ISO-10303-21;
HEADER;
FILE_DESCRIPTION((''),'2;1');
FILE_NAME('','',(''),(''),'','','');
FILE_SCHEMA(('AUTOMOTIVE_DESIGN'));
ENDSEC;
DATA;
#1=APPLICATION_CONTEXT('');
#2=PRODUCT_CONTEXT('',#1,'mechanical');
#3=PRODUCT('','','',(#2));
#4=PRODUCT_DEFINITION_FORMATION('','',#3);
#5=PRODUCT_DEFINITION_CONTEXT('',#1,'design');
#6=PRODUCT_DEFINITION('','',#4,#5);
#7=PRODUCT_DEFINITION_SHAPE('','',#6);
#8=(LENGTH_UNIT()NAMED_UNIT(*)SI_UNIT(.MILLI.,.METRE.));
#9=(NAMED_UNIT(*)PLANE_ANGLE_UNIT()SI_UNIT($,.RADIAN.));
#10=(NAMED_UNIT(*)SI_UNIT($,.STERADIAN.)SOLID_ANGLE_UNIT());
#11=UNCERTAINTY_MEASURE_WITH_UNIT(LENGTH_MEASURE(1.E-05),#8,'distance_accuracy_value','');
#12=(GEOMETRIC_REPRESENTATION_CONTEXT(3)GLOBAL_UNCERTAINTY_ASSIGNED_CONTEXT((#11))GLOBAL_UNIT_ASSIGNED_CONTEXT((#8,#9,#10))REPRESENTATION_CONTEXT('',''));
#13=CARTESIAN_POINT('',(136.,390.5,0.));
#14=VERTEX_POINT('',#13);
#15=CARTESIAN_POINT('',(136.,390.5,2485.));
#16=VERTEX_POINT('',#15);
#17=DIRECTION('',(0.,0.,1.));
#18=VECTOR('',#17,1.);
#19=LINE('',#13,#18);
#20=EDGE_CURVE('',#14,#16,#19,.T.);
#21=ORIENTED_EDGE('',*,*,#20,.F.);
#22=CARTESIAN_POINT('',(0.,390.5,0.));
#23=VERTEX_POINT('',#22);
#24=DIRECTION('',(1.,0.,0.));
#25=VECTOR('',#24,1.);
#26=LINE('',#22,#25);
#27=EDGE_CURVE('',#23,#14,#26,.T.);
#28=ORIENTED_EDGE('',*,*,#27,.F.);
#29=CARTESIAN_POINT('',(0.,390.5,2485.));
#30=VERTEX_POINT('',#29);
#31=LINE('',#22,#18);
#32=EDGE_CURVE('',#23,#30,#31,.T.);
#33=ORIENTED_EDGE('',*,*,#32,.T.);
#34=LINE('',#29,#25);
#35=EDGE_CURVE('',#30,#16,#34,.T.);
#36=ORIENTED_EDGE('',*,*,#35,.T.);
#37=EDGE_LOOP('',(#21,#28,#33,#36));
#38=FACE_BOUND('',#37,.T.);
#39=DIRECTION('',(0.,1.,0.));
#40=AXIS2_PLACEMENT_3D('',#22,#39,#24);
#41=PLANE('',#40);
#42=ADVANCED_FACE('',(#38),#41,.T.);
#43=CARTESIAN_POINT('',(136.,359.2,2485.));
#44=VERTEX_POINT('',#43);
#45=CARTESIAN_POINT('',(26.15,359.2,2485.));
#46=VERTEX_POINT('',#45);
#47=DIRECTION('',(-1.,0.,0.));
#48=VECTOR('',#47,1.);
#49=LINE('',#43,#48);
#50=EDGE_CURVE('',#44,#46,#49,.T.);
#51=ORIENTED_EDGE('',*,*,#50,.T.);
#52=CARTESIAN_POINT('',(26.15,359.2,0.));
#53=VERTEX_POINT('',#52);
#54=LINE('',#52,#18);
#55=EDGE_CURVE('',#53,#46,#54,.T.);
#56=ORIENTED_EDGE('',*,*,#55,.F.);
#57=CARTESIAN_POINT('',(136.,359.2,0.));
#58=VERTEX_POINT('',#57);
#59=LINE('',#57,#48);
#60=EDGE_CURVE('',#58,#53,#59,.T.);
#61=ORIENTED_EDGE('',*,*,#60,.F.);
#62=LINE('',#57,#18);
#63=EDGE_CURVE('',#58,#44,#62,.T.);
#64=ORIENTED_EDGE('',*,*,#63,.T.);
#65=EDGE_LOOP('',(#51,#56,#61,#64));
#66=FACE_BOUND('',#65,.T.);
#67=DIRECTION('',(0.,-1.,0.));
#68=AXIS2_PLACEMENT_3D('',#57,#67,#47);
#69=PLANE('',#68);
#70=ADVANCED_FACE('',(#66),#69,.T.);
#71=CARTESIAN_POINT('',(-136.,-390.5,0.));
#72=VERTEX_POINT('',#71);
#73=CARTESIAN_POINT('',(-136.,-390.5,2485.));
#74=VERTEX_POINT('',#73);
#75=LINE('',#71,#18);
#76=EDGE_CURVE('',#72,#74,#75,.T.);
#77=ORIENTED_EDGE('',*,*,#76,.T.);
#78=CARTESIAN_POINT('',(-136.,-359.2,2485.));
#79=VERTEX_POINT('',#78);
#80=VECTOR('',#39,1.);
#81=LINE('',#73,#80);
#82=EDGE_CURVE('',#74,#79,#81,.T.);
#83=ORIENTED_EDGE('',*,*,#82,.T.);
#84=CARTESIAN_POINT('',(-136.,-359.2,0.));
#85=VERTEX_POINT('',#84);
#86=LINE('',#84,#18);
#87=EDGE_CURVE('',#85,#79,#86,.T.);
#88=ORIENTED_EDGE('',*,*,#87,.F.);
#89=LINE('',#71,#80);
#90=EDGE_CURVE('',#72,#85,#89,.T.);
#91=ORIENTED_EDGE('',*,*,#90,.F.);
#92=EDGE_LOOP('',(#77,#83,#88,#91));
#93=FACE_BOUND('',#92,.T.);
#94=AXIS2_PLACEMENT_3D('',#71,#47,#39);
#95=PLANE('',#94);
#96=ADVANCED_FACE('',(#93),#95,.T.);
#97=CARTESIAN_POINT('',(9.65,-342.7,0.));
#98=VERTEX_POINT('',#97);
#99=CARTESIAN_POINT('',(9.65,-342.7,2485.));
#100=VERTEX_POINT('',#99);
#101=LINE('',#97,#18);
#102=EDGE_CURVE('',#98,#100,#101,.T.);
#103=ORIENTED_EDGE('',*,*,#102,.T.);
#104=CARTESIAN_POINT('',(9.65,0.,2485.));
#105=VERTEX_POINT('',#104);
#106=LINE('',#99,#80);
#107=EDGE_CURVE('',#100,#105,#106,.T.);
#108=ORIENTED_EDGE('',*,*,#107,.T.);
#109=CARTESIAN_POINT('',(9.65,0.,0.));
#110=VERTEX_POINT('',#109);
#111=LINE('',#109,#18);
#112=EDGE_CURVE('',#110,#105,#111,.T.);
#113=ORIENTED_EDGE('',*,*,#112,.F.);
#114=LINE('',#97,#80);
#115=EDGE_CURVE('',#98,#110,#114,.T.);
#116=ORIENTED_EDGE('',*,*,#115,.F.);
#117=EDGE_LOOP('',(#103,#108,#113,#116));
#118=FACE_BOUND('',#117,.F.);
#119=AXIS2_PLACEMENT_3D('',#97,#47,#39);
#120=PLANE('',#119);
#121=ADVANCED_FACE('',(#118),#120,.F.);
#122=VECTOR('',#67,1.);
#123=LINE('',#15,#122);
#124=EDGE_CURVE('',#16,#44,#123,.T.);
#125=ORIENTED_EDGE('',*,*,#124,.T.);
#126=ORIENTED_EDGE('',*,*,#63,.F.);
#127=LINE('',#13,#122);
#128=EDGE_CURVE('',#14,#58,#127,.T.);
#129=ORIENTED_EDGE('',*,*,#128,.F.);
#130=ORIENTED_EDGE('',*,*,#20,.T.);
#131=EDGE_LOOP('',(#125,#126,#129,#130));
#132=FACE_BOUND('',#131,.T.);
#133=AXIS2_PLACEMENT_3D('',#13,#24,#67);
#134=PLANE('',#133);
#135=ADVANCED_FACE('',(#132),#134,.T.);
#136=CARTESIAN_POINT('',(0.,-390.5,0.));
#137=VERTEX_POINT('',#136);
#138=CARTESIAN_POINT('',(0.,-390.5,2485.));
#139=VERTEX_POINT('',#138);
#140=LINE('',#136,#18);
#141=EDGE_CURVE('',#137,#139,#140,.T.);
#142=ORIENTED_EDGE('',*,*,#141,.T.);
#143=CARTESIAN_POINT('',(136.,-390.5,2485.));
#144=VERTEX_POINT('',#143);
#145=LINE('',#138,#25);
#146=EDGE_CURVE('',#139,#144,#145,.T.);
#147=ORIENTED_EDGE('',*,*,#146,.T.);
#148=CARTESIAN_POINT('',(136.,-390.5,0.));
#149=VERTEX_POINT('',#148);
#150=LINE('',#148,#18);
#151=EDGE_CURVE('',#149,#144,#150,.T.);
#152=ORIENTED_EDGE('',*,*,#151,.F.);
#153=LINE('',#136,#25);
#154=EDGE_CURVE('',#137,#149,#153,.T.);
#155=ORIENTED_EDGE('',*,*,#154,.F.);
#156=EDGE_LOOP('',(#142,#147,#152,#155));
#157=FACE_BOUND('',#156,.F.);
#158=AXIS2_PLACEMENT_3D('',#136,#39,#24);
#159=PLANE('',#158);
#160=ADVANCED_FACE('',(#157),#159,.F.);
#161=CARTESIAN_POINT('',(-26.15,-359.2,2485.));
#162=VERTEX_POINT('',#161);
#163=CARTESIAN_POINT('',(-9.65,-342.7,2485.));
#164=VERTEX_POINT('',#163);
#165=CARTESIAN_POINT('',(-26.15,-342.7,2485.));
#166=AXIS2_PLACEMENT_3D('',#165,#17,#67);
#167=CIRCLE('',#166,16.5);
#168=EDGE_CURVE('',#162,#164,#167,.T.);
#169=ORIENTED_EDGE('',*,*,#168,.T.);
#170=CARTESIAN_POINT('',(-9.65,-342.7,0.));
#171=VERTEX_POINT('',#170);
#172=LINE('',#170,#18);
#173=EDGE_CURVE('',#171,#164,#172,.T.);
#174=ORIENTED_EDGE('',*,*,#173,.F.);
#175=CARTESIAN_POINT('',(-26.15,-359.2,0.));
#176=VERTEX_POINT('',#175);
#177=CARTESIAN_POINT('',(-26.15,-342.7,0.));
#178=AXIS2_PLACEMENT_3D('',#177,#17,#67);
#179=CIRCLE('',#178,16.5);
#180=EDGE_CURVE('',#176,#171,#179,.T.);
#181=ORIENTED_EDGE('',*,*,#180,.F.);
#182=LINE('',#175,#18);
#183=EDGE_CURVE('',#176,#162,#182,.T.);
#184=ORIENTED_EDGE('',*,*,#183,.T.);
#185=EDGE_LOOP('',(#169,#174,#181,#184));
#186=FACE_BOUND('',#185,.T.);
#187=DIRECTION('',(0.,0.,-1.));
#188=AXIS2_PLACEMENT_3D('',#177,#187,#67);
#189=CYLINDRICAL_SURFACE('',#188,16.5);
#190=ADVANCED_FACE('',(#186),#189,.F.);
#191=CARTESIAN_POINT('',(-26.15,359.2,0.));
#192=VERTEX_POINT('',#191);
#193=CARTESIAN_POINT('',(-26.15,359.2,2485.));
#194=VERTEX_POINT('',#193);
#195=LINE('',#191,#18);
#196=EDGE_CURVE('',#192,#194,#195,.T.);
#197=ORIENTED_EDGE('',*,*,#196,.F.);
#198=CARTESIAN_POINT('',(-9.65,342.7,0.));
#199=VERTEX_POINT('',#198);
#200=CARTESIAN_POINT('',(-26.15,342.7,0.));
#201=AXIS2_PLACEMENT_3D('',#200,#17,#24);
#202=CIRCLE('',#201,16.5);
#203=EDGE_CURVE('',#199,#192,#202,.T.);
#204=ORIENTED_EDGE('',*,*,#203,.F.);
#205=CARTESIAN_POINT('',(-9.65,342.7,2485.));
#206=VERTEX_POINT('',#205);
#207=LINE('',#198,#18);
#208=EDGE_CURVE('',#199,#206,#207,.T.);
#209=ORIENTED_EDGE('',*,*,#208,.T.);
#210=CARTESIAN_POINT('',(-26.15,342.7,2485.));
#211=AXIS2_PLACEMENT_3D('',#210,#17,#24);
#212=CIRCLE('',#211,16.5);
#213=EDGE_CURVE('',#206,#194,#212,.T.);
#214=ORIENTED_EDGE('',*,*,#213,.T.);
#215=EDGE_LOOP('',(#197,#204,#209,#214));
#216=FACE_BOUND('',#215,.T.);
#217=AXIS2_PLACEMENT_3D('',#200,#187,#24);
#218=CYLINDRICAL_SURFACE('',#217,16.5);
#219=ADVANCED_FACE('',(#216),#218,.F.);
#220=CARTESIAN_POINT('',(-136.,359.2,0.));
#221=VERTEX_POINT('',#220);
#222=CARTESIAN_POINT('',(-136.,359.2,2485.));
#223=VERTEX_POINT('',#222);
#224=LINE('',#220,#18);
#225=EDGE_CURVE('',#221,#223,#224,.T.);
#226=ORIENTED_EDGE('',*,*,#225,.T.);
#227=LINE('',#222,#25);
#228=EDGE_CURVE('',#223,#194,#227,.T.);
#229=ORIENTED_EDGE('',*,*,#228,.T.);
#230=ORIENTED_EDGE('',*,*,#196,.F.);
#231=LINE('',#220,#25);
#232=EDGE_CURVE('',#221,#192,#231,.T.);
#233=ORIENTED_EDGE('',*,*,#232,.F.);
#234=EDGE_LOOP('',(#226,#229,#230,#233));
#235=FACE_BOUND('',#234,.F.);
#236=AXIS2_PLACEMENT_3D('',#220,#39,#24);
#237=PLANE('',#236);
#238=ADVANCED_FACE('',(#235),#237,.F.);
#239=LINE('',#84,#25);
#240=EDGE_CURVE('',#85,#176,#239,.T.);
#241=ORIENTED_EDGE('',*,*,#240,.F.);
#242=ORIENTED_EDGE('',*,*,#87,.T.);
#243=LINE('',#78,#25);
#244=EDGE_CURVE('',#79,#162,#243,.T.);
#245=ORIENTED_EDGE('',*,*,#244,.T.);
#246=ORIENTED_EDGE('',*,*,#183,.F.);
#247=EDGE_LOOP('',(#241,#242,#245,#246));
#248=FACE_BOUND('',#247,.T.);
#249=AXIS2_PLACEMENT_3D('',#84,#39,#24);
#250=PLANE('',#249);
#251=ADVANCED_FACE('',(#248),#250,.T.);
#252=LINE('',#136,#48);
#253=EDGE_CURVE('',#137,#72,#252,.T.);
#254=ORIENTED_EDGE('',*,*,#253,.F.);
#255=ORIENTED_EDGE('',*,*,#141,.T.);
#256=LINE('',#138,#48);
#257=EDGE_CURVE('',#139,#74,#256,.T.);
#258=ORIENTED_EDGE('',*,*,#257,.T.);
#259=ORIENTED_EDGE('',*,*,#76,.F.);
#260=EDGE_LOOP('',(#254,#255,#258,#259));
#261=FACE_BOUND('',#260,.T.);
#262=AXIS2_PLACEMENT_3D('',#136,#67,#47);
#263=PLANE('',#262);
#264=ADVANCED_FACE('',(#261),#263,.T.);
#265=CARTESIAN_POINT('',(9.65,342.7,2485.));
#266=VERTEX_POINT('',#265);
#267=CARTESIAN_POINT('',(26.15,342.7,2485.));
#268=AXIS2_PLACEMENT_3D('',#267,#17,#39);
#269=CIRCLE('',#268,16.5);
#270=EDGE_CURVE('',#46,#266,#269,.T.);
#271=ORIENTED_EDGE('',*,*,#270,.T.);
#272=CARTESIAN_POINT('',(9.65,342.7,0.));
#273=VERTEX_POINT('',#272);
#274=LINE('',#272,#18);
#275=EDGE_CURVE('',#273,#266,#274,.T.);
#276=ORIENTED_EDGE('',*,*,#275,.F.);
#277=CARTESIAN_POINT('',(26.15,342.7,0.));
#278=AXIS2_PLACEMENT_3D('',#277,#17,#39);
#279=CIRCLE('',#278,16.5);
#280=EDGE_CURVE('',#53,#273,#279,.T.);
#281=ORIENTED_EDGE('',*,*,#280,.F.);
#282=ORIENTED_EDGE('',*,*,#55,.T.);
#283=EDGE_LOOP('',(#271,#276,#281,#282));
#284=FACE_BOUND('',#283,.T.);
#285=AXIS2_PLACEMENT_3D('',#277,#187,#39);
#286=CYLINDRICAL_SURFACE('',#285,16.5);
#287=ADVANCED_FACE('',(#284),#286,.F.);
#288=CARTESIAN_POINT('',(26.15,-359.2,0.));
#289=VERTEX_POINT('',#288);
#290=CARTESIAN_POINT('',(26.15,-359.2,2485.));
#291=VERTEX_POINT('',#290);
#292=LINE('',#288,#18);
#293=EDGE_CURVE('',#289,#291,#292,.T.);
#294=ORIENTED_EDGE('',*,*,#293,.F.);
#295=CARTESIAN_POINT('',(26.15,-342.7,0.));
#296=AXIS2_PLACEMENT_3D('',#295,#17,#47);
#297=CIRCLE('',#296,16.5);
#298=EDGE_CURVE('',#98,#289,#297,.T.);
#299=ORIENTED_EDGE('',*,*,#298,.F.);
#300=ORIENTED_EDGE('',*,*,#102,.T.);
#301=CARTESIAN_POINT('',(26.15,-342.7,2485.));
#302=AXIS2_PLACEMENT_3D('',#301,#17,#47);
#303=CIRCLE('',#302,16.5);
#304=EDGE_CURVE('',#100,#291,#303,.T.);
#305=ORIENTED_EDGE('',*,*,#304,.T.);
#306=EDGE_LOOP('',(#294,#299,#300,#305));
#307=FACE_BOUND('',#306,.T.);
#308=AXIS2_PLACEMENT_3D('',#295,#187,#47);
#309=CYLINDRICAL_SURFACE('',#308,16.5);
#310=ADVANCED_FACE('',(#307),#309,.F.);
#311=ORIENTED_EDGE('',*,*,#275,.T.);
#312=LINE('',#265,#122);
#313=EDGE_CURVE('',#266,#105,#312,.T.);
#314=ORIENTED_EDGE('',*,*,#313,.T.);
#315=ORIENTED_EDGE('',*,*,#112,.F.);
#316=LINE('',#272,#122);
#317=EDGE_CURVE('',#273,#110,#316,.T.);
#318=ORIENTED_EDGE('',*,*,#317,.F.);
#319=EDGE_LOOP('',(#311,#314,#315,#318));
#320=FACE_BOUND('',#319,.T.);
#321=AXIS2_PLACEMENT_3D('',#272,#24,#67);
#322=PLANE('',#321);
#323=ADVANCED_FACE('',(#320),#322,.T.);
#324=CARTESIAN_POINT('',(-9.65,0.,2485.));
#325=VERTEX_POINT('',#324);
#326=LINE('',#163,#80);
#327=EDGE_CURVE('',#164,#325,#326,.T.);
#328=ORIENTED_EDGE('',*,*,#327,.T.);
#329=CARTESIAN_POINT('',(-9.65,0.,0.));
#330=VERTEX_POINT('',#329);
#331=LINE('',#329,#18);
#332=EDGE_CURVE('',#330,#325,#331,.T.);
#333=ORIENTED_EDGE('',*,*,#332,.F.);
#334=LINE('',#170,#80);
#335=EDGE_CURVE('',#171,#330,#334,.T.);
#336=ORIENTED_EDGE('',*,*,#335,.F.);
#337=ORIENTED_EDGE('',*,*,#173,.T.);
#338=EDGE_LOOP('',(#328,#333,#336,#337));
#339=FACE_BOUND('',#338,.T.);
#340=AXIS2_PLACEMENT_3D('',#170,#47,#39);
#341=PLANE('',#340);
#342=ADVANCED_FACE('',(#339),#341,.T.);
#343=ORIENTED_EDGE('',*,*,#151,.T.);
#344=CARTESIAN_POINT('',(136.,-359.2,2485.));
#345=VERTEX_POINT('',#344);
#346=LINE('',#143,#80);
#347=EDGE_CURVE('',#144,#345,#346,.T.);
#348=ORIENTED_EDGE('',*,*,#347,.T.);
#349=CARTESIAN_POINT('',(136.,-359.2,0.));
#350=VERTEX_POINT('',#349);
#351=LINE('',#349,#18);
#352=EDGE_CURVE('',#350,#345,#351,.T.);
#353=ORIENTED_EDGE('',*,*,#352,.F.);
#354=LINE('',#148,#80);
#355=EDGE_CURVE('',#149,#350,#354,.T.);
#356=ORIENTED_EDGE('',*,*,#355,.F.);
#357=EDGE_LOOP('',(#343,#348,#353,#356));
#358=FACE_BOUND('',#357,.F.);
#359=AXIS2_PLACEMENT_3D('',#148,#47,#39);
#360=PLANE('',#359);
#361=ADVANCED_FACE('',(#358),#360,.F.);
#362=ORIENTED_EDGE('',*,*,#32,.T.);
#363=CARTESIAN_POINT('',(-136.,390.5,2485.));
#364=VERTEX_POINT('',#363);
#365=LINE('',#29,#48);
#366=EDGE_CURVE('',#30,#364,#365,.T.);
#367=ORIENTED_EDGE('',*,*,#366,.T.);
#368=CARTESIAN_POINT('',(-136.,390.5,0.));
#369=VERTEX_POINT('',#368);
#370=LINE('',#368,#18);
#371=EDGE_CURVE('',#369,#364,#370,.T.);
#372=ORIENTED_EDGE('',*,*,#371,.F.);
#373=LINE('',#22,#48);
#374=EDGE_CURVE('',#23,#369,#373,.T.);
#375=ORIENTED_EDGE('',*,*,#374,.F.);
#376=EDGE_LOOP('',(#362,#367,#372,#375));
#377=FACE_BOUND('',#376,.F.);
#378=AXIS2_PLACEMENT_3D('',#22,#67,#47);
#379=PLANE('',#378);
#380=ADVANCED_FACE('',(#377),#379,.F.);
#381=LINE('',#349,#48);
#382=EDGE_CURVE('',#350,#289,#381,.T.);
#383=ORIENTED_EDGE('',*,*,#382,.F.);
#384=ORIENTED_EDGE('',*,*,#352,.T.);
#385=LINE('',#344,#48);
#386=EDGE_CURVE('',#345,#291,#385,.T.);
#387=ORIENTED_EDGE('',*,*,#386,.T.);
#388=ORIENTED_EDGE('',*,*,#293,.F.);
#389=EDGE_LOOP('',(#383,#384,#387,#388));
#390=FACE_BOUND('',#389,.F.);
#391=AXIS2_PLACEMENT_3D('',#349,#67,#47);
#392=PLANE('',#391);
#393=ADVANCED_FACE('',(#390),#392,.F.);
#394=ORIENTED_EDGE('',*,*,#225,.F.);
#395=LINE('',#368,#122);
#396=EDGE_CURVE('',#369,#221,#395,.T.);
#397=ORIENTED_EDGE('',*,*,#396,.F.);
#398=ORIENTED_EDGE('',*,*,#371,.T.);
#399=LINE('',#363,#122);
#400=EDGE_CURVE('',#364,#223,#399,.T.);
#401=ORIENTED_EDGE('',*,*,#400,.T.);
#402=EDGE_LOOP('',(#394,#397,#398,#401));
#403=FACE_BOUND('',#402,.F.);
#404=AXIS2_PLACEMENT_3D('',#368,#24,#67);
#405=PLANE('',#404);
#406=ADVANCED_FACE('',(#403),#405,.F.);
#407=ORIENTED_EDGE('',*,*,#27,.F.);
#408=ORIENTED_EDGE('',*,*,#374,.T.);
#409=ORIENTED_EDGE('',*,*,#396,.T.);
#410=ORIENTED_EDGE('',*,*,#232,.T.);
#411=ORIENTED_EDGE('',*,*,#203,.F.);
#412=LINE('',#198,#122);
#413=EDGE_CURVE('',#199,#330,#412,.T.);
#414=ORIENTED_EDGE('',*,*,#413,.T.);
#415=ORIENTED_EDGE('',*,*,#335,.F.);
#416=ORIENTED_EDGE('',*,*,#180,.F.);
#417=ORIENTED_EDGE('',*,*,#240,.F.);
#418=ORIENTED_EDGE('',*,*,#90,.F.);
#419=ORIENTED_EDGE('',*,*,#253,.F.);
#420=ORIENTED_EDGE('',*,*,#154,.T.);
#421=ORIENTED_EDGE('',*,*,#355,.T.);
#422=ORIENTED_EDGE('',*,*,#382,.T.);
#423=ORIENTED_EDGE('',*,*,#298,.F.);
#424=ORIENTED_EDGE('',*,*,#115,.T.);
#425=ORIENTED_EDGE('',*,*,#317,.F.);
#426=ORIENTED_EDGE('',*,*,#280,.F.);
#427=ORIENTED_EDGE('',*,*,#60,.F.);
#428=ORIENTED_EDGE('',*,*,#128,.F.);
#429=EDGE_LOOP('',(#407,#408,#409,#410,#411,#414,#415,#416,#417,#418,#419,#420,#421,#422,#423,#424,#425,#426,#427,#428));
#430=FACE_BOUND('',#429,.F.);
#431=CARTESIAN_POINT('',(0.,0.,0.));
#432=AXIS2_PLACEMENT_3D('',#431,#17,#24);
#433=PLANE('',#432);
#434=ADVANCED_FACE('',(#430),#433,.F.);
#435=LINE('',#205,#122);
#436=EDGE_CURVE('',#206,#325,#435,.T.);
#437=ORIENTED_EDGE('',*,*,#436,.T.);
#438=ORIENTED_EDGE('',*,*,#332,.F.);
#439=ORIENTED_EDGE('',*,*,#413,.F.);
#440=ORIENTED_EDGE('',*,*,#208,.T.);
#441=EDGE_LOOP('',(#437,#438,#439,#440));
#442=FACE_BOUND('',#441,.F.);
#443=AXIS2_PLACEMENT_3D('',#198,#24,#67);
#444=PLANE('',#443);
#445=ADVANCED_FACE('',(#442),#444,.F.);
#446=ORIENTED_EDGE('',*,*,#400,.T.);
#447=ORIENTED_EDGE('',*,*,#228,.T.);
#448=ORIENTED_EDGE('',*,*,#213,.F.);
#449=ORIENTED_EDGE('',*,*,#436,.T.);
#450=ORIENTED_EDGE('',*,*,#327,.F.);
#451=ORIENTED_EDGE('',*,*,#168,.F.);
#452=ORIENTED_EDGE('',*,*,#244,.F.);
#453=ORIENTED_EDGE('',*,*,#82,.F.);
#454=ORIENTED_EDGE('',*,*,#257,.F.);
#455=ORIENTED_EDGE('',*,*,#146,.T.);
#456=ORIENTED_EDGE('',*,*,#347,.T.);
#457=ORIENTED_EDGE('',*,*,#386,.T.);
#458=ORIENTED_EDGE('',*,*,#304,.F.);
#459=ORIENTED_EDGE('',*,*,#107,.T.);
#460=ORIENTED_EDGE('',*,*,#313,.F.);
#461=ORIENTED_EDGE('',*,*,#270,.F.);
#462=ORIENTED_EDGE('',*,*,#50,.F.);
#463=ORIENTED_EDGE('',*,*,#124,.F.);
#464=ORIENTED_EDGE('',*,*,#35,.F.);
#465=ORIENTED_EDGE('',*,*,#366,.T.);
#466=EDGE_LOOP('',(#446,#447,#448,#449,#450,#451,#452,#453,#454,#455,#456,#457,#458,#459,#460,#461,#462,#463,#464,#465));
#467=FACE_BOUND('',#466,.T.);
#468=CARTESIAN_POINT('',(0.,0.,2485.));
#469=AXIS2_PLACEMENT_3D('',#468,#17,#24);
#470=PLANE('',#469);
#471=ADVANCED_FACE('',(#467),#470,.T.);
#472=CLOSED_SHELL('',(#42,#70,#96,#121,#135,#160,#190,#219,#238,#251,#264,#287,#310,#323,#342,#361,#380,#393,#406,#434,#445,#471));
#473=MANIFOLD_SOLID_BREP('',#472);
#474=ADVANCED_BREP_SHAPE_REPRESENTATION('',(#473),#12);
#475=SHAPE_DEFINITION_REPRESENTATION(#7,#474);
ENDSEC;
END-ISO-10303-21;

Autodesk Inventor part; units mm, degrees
ref_plane "YZ Plane" through (0, 0, 0) normal (1, 0, 0) x (0, 1, 0)
ref_plane "Start plane" through (0, 0, 0) normal (0, 0, 1) x (1, 0, 0)
ref_plane "End plane" through (0, 0, 2485) normal (0, 0, 1) x (1, 0, 0)
sketch "Sketch" plane through (0, 0, 0) normal (0, 0, 1) x (1, 0, 0)
  line L0 (-136, -390.5) -> (-136, -359.2)
  line L1 (-136, -359.2) -> (-26.15, -359.2)
  line L2 (-9.65, -342.7) -> (-9.65, 0)
  line L3 (-9.65, 0) -> (0, 0) construction
  line L4 (0, 0) -> (0, -390.5) construction
  line L5 (0, -390.5) -> (-136, -390.5)
  line L6 (-60, 0) -> (80, 0) construction
  line L7 (0, -60) -> (0, 80) construction
  line L8 (136, -390.5) -> (136, -359.2)
  line L9 (136, -359.2) -> (26.15, -359.2)
  line L10 (9.65, -342.7) -> (9.65, 0)
  line L11 (9.65, 0) -> (0, 0) construction
  line L12 (0, -390.5) -> (136, -390.5)
  line L13 (-136, 390.5) -> (-136, 359.2)
  line L14 (-136, 359.2) -> (-26.15, 359.2)
  line L15 (-9.65, 342.7) -> (-9.65, 0)
  line L16 (0, 390.5) -> (-136, 390.5)
  line L17 (136, 390.5) -> (136, 359.2)
  line L18 (136, 359.2) -> (26.15, 359.2)
  line L19 (0, 390.5) -> (136, 390.5)
  line L20 (9.65, 342.7) -> (9.65, 0)
  arc A0 (-9.65, 342.7) -> (-26.15, 359.2) centre (-26.15, 342.7) ccw
  arc A1 (26.15, 359.2) -> (9.65, 342.7) centre (26.15, 342.7) ccw
  arc A2 (9.65, -342.7) -> (26.15, -359.2) centre (26.15, -342.7) ccw
  arc A3 (-26.15, -359.2) -> (-9.65, -342.7) centre (-26.15, -342.7) ccw
  line L21 (0, 108) -> (0, -88) construction
  line L22 (-88, 0) -> (108, 0) construction
  point P0 (-9.65, -359.2)
  point P1 (9.65, -359.2)
  point P2 (-9.65, 359.2)
  point P3 (9.65, 359.2)
  dimension "d1" = 390.5
  dimension "d2" = 31.3
  dimension "d3" = 136
  dimension "d4" = 9.65
  dimension "d10" = 16.5
extrude "Body" add sketch "Sketch" along normal up to surface (2485 mm away) from surface at 0
sketch "Sketch4" plane through (0, 0, 0) normal (0, 0, 1) x (1, 0, 0)
  line L0 (0, 0) -> (10, 0)
ref_plane "Work Plane3" through (0, 0, 0) normal (0, -1, 0) x (1, 0, 0)
sketch "Sketch5" plane through (0, 0, 0) normal (0, -1, 0) x (1, 0, 0)
  line L0 (-2, 0) -> (12, 0) projected
  line L1 (-2, 2485) -> (12, 2485) projected
  dimension "d14" = 2485
equation "\"d1\" = 0.5 * G_H"
equation "\"d2\" = G_T1"
equation "\"d3\" = 0.5 * G_W"
equation "\"d4\" = 0.5 * G_T"
equation "\"d10\" = G_IR"
equation "\"d5\" = G_L"
equation "\"G_W\" = 272"
equation "\"G_H\" = 781"
equation "\"G_T\" = 19.3"
equation "\"G_T1\" = 31.3"
equation "\"G_IR\" = 16.5"
equation "\"G_L\" = d14"
equation "\"G_OFFSET_START\" = 0"
equation "\"G_OFFSET_END\" = 0"
equation "\"d12\" = G_OFFSET_END + B_L"
equation "\"B_L\" = 2485"
properties part number "AS 3679-1990 - 760 UB - 244 - 2485" material "Steel, Mild"
